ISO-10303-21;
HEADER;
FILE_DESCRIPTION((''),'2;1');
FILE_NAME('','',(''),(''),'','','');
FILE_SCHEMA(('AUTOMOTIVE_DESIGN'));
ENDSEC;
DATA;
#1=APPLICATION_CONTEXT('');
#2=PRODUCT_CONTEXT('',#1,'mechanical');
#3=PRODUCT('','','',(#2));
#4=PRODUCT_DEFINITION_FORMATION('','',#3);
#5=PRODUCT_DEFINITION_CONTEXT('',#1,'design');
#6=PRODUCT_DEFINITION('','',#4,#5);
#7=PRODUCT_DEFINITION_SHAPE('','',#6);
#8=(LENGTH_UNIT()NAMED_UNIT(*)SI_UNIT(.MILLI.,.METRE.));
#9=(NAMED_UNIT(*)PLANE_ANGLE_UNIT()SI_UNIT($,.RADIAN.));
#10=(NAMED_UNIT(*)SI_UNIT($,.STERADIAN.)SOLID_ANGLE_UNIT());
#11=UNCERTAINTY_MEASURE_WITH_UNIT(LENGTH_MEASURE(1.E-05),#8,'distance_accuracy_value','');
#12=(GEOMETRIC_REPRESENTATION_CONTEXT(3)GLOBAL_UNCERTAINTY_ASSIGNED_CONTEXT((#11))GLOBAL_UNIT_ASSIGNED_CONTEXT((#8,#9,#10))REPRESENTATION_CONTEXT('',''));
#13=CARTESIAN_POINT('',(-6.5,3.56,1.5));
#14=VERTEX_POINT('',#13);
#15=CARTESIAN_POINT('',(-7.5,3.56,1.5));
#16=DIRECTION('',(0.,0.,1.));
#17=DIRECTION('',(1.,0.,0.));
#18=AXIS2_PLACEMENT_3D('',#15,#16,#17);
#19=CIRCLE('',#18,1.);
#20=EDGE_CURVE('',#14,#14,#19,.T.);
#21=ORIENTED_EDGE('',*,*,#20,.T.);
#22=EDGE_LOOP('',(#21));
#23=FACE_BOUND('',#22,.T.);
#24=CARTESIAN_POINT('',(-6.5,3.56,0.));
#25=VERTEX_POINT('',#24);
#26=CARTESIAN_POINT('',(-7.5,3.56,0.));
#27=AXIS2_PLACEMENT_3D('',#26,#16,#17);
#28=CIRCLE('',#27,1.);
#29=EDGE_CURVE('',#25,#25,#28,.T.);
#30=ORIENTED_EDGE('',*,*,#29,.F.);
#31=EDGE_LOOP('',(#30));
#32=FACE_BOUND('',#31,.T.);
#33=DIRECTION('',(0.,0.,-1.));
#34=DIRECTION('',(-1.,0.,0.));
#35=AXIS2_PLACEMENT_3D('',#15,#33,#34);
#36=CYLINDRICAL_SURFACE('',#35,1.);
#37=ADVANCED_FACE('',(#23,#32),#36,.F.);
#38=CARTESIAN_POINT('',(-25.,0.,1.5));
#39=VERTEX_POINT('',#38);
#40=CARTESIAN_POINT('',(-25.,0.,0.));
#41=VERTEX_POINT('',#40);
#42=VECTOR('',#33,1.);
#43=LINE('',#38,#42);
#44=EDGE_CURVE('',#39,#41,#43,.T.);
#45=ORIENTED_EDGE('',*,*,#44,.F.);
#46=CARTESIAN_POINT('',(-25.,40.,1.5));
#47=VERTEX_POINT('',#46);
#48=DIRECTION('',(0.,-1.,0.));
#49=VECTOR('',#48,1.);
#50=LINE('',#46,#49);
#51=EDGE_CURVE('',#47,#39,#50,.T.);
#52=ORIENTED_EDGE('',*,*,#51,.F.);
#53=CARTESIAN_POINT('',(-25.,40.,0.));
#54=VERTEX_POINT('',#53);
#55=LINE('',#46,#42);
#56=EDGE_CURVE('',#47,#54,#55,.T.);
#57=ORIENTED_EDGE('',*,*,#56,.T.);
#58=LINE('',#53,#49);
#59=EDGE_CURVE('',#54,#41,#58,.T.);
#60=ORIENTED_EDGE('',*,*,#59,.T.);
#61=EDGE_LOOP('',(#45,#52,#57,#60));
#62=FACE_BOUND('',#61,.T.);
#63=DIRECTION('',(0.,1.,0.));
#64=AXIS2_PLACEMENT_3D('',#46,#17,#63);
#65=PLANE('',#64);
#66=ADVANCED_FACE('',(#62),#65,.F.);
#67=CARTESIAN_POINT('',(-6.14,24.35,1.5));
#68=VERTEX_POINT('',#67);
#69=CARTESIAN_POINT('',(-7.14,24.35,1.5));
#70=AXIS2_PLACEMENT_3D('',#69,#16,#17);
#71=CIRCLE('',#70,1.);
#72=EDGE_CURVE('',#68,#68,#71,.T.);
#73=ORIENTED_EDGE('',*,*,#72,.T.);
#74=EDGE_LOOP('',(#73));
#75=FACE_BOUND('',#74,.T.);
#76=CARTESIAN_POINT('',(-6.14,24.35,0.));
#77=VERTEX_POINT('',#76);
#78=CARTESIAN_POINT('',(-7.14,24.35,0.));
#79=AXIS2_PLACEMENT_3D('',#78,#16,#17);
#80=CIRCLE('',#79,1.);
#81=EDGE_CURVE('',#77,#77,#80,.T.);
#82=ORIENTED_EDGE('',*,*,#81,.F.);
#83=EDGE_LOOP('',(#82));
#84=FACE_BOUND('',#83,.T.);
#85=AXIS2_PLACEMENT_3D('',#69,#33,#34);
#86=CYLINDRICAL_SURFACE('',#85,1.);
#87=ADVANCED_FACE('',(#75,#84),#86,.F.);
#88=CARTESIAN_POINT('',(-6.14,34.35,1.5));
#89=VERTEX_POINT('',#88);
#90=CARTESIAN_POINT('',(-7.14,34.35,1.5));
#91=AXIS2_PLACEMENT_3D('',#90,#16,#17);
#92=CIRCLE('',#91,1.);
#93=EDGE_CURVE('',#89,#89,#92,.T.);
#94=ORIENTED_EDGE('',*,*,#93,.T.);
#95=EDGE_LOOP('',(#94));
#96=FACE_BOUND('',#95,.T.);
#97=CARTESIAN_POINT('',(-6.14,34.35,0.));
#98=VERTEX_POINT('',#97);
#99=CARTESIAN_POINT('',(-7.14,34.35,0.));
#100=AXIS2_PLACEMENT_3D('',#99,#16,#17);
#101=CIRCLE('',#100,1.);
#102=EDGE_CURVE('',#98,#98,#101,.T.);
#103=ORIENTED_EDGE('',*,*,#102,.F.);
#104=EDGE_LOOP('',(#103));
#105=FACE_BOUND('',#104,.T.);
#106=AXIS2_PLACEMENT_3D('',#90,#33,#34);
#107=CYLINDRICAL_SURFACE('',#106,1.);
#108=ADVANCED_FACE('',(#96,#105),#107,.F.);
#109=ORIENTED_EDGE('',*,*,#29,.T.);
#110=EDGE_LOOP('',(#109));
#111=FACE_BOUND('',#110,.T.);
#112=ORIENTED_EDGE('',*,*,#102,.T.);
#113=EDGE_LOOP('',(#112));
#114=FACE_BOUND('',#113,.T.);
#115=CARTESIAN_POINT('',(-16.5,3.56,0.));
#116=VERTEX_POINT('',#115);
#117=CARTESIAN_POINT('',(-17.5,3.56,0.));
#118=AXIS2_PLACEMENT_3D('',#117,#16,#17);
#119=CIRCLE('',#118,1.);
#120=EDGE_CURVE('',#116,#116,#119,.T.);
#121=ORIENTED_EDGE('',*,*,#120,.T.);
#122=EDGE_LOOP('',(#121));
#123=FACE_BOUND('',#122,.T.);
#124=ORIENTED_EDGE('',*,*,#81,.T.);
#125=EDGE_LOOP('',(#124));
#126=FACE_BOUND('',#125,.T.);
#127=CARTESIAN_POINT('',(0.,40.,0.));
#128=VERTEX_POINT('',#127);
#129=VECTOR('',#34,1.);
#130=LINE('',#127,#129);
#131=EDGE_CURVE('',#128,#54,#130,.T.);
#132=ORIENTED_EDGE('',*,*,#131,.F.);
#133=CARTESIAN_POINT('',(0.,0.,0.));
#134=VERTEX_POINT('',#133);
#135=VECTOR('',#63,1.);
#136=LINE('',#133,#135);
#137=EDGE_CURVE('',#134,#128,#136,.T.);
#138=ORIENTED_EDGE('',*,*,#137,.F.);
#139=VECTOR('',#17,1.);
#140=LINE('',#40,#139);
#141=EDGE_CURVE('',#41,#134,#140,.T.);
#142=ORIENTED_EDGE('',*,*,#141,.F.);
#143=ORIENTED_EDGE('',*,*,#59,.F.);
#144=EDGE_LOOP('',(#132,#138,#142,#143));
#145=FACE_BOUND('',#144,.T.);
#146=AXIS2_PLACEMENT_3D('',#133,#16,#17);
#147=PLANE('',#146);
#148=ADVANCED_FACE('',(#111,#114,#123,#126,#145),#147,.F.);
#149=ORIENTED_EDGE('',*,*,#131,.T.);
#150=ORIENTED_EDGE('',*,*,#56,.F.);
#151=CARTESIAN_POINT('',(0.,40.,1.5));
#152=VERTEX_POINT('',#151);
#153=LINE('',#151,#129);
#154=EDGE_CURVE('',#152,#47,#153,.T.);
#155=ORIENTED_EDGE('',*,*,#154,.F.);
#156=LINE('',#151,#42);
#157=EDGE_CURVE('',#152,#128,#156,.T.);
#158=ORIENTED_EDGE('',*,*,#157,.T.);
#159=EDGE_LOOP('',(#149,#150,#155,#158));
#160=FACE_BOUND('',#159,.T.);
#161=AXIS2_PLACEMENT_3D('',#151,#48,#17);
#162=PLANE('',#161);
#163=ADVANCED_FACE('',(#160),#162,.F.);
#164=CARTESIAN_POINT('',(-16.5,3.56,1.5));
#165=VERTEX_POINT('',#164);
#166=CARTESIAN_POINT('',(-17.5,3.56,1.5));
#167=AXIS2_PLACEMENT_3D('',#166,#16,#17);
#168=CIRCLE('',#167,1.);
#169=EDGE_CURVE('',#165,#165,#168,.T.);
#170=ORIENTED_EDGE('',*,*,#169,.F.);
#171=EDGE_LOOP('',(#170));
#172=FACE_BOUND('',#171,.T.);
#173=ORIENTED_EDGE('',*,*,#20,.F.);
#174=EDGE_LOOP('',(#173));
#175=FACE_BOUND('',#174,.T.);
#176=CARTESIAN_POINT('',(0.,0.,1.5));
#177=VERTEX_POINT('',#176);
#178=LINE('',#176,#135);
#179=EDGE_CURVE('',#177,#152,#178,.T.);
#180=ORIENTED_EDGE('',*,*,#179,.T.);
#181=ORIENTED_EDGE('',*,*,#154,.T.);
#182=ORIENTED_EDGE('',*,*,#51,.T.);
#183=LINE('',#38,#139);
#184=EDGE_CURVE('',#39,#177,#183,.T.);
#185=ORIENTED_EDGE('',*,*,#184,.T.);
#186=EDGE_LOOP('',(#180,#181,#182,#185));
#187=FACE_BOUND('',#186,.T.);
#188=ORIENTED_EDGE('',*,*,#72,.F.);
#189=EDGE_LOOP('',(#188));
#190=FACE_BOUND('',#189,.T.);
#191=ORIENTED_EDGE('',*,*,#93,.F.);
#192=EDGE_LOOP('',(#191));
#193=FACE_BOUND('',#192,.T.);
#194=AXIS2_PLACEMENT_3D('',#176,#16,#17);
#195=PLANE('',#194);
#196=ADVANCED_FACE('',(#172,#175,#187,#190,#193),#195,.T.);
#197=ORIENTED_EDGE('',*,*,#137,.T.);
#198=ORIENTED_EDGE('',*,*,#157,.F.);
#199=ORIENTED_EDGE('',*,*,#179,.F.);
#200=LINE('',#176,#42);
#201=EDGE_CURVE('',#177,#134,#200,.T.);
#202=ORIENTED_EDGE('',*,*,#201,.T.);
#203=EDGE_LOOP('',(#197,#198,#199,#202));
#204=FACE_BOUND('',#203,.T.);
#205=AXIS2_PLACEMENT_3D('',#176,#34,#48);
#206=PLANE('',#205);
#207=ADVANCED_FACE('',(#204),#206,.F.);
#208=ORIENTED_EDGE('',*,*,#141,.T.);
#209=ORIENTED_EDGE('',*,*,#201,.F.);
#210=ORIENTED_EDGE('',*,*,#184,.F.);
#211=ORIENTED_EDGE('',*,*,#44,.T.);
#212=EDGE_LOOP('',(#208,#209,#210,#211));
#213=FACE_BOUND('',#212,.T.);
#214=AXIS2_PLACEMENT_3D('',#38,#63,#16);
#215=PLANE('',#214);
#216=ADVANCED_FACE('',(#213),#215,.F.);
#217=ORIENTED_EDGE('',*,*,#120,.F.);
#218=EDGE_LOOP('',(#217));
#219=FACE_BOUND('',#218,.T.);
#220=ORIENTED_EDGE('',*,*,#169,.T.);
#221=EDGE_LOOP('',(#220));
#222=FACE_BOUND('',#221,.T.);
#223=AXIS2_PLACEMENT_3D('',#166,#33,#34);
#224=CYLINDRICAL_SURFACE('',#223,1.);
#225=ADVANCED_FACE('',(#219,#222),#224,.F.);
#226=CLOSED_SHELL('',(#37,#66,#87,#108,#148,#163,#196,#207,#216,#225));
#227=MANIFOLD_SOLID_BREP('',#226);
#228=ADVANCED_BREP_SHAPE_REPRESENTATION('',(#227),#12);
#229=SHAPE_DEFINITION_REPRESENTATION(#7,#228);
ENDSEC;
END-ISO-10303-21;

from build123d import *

# Parameters (mm, degrees)
SKETCH1_W           = 25
SKETCH1_H           = 40
SKETCH1_R           = 1
BOSS_EXTRUDE1_DEPTH = 1.5


with BuildPart() as part:
    # Sketch1 → Boss-Extrude1 (new body)
    with BuildSketch(Plane.XY):
        with Locations((-12.5, 20)):
            Rectangle(SKETCH1_W, SKETCH1_H)
        with Locations((-17.5, 3.560000002)):
            Circle(SKETCH1_R, mode=Mode.SUBTRACT)
        with Locations((-7.5, 3.560000002)):
            Circle(SKETCH1_R, mode=Mode.SUBTRACT)
        with Locations((-7.14, 34.350000002)):
            Circle(SKETCH1_R, mode=Mode.SUBTRACT)
        with Locations((-7.14, 24.350000002)):
            Circle(SKETCH1_R, mode=Mode.SUBTRACT)
    extrude(amount=BOSS_EXTRUDE1_DEPTH)


solid = part.part
